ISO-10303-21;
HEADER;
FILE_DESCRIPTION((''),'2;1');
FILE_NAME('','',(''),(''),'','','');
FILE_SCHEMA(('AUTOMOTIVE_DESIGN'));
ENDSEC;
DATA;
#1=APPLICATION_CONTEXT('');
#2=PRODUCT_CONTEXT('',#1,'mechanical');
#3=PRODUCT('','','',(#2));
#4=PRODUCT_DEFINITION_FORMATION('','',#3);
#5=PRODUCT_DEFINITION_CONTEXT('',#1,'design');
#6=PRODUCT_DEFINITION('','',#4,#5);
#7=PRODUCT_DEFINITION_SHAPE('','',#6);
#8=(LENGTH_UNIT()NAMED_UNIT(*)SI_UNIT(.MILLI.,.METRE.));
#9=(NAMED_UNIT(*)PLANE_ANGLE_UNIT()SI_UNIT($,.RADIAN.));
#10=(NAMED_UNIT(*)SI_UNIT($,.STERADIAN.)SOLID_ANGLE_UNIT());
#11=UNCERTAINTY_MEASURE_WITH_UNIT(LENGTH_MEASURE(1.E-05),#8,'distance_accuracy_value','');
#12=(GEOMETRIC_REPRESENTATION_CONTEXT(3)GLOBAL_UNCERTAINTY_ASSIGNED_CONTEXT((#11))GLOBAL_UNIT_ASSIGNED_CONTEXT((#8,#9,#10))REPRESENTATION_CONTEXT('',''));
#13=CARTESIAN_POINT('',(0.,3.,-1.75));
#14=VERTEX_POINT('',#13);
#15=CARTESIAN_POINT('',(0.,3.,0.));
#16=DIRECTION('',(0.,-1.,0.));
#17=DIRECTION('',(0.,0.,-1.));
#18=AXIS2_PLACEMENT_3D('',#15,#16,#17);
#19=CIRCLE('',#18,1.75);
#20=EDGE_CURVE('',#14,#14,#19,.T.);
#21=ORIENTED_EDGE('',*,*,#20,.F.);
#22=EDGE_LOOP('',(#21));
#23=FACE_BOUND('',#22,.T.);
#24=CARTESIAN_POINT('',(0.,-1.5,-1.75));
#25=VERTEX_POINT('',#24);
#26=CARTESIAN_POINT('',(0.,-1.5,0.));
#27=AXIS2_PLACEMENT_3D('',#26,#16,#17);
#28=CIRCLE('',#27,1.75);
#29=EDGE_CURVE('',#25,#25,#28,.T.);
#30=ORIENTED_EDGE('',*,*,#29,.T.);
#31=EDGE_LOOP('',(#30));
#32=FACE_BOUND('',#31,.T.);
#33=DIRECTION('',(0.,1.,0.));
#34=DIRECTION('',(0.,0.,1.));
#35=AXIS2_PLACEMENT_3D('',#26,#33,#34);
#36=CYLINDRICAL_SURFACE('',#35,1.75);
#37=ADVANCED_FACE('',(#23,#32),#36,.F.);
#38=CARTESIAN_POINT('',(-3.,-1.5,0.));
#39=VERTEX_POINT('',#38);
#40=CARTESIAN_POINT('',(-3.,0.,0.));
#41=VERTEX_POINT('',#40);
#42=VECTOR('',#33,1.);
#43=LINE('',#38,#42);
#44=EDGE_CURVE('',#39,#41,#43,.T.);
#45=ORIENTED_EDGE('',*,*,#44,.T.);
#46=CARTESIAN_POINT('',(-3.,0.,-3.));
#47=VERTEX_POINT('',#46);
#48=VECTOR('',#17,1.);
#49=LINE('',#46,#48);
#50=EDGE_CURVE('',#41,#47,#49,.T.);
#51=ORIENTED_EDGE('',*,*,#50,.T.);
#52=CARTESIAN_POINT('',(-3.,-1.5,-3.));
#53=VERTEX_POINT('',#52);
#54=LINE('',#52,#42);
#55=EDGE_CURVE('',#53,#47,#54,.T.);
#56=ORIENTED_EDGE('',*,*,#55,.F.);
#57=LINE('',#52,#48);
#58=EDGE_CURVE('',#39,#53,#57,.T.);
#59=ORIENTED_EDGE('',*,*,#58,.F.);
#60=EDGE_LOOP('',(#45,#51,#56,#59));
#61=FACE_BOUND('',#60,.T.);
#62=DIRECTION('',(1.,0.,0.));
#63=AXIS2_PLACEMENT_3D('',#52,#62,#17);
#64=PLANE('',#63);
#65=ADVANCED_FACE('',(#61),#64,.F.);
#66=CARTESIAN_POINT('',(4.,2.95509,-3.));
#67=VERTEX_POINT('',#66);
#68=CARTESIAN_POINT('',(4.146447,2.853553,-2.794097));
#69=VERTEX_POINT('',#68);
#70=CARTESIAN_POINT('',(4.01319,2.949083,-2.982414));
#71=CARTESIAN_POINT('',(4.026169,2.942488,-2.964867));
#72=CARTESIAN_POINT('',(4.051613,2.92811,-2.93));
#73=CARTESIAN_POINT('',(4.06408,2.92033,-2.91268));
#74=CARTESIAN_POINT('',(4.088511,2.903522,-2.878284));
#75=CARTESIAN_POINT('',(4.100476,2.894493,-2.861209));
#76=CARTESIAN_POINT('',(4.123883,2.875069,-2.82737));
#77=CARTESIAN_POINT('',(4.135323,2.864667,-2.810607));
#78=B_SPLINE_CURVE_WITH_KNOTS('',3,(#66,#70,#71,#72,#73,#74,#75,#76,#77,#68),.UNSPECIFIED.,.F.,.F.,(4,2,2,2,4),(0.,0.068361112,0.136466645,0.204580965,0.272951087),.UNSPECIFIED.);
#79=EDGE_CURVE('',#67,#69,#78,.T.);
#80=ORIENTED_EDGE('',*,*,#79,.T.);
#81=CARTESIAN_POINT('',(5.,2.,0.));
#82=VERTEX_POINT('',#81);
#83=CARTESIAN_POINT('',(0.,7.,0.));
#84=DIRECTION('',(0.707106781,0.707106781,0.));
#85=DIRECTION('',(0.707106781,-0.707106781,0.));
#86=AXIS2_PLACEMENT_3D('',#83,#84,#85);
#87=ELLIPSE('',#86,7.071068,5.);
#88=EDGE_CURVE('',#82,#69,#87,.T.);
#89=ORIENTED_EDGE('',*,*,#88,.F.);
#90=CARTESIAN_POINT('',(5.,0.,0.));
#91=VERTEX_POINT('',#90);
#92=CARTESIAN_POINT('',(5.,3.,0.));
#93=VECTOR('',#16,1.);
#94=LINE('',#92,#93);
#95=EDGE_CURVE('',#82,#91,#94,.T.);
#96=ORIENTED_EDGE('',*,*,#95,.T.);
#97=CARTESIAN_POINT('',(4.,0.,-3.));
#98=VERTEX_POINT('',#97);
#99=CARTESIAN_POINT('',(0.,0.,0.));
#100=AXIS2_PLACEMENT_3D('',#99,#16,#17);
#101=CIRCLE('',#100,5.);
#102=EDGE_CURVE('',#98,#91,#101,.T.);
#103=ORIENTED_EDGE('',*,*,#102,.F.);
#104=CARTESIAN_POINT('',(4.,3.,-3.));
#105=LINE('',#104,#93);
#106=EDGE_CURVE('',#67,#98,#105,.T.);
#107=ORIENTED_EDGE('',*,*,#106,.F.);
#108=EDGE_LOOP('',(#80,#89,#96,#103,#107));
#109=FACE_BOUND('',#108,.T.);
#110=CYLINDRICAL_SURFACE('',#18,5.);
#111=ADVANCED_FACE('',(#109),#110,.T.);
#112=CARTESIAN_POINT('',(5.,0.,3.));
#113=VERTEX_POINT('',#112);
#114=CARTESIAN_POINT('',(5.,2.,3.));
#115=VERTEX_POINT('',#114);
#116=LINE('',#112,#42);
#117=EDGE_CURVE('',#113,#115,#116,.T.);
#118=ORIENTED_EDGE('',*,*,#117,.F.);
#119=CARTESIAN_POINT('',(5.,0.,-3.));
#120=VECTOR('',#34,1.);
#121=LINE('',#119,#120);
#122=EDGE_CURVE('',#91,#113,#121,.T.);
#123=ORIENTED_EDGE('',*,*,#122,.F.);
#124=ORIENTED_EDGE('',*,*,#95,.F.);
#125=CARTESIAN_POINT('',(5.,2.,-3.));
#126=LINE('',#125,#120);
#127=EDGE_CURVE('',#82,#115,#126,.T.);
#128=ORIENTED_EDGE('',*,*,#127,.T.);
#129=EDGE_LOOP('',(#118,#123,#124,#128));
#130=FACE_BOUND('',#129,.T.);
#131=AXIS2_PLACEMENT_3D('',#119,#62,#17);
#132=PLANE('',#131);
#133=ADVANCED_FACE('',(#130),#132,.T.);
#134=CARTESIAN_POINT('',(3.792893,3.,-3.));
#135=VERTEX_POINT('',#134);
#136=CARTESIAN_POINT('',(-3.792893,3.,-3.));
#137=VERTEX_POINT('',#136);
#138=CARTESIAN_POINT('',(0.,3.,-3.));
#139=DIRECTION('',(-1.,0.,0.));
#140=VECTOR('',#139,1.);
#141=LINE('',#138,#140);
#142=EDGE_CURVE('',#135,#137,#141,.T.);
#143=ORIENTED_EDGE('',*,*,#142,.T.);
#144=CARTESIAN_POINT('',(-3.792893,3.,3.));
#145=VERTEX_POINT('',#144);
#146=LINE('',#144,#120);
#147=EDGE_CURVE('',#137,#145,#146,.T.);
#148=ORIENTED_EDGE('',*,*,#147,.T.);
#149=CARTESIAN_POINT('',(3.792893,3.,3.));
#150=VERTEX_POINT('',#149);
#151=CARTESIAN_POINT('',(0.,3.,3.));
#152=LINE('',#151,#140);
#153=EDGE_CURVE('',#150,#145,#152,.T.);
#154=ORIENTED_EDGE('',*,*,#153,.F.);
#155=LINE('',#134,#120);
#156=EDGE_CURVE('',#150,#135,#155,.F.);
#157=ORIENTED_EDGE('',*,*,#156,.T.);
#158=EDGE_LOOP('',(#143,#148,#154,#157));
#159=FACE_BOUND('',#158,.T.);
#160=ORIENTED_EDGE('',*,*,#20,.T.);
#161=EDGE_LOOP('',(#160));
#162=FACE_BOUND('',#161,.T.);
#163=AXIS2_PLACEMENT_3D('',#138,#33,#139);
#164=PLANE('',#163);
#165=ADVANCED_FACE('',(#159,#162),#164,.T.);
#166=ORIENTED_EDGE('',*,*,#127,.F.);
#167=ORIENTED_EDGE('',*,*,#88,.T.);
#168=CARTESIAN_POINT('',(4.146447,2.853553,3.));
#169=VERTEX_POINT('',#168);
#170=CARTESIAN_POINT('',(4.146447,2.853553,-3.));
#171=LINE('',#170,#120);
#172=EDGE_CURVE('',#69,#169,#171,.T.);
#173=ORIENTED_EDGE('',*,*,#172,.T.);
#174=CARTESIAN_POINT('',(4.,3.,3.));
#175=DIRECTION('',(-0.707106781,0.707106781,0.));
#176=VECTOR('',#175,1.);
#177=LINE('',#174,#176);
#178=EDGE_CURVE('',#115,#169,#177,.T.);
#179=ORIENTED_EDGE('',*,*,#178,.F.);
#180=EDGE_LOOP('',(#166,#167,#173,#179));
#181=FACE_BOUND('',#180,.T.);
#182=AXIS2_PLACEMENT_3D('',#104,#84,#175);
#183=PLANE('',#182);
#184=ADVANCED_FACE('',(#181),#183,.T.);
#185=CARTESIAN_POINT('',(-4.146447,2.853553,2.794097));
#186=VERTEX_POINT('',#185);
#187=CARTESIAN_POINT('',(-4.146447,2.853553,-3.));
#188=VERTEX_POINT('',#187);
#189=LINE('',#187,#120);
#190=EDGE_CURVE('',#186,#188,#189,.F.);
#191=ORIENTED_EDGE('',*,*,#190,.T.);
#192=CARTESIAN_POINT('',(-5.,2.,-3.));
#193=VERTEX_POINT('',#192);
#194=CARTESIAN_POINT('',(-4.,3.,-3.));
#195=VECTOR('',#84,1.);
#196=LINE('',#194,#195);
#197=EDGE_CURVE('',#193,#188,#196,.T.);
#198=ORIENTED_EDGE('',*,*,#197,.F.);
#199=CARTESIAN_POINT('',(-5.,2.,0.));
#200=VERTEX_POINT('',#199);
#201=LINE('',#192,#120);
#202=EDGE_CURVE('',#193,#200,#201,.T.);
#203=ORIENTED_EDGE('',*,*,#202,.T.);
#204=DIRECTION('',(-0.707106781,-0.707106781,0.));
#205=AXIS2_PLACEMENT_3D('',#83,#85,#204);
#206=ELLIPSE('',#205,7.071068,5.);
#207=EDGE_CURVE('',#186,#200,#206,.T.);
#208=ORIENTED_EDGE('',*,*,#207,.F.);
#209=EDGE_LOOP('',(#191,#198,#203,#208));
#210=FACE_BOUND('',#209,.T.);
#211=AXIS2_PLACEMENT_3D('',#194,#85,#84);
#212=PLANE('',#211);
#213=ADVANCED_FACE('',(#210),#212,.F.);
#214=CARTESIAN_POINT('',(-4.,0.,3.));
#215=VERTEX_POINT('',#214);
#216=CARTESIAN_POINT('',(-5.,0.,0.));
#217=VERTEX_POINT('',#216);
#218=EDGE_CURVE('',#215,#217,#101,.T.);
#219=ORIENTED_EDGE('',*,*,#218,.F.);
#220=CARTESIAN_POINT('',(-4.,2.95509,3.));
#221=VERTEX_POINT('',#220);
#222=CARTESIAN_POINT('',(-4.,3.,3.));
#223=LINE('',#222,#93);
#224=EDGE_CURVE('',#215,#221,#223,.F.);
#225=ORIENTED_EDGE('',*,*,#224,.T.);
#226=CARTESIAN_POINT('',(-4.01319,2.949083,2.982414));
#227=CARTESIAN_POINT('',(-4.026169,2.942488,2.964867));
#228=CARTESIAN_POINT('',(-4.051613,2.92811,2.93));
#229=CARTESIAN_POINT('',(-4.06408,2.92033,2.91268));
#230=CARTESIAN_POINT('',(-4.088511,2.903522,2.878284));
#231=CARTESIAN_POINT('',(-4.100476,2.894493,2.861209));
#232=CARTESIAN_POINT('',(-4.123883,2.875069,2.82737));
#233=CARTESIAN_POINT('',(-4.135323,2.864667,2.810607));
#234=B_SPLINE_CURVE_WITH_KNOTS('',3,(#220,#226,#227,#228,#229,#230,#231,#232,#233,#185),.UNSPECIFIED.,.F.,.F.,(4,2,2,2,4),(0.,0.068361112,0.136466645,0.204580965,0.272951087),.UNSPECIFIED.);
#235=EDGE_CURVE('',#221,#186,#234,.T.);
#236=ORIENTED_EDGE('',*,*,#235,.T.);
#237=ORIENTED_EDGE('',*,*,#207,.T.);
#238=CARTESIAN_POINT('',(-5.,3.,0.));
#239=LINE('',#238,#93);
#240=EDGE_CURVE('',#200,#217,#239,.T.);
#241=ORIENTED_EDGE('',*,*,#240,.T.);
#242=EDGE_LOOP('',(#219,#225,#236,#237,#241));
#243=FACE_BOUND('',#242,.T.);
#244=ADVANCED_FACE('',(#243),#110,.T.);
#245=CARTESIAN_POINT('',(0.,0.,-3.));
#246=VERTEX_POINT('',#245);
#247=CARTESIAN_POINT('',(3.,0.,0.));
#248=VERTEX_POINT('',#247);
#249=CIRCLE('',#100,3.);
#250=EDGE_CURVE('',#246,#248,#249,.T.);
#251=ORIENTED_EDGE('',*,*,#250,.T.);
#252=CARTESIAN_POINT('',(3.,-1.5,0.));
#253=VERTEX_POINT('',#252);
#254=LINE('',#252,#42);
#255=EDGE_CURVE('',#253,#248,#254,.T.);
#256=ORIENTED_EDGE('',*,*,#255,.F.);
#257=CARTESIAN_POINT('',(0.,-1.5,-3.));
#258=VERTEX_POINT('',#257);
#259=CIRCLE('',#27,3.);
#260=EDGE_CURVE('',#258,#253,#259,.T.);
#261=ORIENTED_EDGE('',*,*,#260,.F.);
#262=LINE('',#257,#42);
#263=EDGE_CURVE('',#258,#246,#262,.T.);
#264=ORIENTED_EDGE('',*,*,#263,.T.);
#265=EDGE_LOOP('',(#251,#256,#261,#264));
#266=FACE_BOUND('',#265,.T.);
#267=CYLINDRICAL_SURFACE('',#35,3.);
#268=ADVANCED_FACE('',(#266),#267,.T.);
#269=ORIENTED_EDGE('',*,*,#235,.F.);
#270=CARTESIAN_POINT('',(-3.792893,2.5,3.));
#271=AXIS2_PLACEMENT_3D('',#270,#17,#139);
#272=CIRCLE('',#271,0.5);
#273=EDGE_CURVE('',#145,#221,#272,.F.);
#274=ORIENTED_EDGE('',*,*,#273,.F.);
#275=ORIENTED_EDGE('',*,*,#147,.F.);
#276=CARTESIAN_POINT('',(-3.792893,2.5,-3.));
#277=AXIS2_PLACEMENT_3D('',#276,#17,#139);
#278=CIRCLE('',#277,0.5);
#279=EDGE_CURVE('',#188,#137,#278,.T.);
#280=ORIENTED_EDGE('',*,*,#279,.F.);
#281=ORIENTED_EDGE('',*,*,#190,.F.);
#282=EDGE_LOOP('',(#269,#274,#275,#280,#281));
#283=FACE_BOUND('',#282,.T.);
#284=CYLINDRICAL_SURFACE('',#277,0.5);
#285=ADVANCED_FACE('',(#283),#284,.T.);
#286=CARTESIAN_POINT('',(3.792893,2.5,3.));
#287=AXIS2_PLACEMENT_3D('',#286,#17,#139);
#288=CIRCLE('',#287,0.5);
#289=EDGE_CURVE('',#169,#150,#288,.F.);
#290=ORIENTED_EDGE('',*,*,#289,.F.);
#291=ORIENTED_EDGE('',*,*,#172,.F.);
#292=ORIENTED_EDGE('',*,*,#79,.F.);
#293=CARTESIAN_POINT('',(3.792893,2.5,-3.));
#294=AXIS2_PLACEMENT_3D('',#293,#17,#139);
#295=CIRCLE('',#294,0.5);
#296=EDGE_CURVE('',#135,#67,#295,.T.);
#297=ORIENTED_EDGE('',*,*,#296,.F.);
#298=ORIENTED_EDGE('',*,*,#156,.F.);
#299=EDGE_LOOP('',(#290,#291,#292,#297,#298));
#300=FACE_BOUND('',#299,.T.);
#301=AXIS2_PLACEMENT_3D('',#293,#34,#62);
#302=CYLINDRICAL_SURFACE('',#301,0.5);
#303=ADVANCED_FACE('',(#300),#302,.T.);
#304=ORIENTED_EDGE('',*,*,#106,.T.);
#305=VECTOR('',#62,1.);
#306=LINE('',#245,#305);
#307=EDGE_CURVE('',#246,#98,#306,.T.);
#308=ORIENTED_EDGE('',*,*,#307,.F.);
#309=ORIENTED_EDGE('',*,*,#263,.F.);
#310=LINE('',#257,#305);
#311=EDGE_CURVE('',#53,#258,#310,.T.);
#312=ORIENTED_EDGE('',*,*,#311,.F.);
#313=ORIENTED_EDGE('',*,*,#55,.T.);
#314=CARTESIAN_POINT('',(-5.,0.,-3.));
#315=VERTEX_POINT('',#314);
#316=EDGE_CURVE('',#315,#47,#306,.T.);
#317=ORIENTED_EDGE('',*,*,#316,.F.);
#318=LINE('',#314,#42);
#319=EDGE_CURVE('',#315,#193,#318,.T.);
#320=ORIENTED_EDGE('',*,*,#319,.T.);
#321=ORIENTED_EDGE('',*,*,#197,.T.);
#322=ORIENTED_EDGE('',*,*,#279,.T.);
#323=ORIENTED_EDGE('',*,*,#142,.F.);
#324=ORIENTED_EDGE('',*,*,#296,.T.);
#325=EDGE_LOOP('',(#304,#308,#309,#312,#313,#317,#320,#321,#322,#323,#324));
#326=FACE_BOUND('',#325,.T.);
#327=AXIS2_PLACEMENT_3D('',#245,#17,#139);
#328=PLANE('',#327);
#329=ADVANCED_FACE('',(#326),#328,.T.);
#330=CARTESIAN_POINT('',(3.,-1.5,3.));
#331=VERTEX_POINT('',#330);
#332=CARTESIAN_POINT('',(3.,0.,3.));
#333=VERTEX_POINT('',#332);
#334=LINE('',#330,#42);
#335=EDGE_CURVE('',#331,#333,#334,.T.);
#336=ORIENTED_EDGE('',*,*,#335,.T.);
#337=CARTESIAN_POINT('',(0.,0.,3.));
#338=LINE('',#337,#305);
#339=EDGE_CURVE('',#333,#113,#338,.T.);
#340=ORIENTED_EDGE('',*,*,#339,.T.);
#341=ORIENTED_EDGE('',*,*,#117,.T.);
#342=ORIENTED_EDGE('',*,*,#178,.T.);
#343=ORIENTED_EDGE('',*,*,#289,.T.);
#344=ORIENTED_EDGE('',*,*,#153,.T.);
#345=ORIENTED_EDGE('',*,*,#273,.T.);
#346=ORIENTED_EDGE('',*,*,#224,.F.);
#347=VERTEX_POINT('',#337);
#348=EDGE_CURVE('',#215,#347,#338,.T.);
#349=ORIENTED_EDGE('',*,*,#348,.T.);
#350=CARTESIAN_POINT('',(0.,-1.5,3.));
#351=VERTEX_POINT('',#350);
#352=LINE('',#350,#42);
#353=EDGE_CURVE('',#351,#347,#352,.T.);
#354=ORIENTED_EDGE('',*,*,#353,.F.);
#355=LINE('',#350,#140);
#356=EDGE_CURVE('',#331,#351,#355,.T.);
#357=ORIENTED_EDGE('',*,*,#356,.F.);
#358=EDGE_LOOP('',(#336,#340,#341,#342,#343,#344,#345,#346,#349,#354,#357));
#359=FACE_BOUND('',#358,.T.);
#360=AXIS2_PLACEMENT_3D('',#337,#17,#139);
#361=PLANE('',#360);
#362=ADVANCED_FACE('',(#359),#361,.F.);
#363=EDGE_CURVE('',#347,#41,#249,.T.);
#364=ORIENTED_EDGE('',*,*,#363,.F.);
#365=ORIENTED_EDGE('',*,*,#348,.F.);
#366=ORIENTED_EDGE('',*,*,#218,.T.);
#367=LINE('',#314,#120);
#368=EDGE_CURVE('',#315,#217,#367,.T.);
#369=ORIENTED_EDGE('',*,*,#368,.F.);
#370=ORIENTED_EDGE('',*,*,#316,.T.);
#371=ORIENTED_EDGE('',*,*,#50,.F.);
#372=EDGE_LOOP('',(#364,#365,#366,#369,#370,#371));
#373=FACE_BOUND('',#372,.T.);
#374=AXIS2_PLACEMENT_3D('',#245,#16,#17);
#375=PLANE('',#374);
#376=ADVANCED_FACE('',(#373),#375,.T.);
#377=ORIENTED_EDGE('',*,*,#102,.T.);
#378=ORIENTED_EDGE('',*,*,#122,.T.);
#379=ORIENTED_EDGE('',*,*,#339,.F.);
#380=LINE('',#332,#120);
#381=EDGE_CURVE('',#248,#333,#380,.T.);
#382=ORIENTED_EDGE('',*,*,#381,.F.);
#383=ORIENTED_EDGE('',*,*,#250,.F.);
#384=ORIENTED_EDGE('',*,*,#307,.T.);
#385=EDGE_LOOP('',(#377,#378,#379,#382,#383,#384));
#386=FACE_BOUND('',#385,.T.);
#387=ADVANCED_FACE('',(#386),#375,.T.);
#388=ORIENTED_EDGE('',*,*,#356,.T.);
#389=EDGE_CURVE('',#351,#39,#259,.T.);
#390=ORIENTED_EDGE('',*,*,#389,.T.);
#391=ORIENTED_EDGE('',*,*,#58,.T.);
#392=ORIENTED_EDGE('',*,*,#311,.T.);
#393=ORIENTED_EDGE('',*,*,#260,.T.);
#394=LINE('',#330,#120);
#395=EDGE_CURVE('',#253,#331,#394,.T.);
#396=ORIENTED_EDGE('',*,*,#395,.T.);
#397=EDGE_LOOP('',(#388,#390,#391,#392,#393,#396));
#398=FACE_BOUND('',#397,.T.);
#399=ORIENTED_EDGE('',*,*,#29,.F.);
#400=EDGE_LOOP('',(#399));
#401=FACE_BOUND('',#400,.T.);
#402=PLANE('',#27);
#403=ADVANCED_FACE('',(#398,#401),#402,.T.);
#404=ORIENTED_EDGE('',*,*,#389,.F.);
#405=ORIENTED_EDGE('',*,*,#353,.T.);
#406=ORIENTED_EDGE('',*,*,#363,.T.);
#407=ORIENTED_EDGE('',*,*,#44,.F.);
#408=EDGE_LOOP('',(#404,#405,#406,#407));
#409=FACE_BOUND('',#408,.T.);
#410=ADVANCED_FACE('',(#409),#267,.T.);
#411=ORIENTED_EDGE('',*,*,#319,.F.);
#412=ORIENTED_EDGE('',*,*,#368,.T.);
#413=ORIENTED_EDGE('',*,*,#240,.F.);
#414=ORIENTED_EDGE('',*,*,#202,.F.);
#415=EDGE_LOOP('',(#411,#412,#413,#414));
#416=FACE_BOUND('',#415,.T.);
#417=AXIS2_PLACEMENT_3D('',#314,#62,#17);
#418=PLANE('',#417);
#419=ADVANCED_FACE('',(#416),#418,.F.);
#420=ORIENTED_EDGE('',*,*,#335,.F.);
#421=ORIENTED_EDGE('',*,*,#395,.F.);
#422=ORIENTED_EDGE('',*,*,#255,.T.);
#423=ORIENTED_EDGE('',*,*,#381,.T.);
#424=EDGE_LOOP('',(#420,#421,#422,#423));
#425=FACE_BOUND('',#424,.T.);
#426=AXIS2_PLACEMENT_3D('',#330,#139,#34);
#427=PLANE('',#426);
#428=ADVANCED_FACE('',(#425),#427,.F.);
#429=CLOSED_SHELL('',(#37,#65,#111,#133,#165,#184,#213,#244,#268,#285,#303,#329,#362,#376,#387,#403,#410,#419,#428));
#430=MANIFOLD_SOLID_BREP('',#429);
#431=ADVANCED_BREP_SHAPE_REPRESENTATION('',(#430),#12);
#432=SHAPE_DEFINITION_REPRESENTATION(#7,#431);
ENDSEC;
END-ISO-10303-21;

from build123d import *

# Parameters (mm, degrees)
EXTRUDE_1_DEPTH     = 3
SKETCH_2_R          = 1.75
EXTRUDE_2_DEPTH     = 1.5
SKETCH_2_2_R        = 1.75
CUT_EXTRUDE_1_DEPTH = 7.557438524
CUT_EXTRUDE_2_DEPTH = 7.557438524
FILLET_1_R          = 0.5


with BuildPart() as part:
    # Эскиз1 → Бобышка-Вытянуть1 (new, symmetric)
    with BuildSketch(Plane.XY):
        Polygon((4, 3), (5, 2), (5, 0), (0, 0), (0, 3), align=None)
    extrude_1 = extrude(amount=EXTRUDE_1_DEPTH, both=True)

    # Зеркальное отражение1: Бобышка-Вытянуть1 across plane
    add(extrude_1.mirror(Plane(origin=(0, 0, 0), x_dir=(0, 0, 1), z_dir=(1, 0, 0))))

    # Эскиз2 → Бобышка-Вытянуть2 (add)
    with BuildSketch(Plane.XZ):
        with BuildLine():
            Line((0, -3), (-3, -3))
            Line((-3, -3), (-3, 0))
            ThreePointArc((-3, 0), (-2.121320344, 2.121320344), (0, 3))
            Line((0, 3), (3, 3))
            Line((3, 3), (3, 0))
            ThreePointArc((3, 0), (2.121320344, -2.121320344), (0, -3))
        make_face()
        Circle(SKETCH_2_R, mode=Mode.SUBTRACT)
    extrude(amount=EXTRUDE_2_DEPTH)

    # Эскиз2<2> → Вырез-Вытянуть1 (cut, through all)
    with BuildSketch(Plane.XZ):
        Circle(SKETCH_2_2_R)
    extrude(amount=-CUT_EXTRUDE_1_DEPTH, mode=Mode.SUBTRACT)

    # Эскиз3 → Вырез-Вытянуть2 (cut, through all)
    with BuildSketch(Plane.XZ):
        with BuildLine():
            ThreePointArc((-5, 0), (-3.535533906, 3.535533906), (0, 5))
            Line((0, 5), (0, 5.722939185))
            Line((0, 5.722939185), (-8.00916489, 5.722939185))
            Line((-8.00916489, 5.722939185), (-8.00916489, 0))
            Line((-8.00916489, 0), (-5, 0))
        make_face()
        with BuildLine():
            Line((8.00916489, 0), (5, 0))
            ThreePointArc((5, 0), (3.535533906, -3.535533906), (0, -5))
            Line((0, -5), (0, -5.722939185))
            Line((0, -5.722939185), (8.00916489, -5.722939185))
            Line((8.00916489, -5.722939185), (8.00916489, 0))
        make_face()
    extrude(amount=-CUT_EXTRUDE_2_DEPTH, mode=Mode.SUBTRACT)

    # Скругление1
    fillet_1_edges = [part.edges().sort_by_distance(p)[0] for p in [
        (4, 3, 0),
        (-4, 3, 0),
    ]]
    fillet(fillet_1_edges, radius=FILLET_1_R)


solid = part.part
